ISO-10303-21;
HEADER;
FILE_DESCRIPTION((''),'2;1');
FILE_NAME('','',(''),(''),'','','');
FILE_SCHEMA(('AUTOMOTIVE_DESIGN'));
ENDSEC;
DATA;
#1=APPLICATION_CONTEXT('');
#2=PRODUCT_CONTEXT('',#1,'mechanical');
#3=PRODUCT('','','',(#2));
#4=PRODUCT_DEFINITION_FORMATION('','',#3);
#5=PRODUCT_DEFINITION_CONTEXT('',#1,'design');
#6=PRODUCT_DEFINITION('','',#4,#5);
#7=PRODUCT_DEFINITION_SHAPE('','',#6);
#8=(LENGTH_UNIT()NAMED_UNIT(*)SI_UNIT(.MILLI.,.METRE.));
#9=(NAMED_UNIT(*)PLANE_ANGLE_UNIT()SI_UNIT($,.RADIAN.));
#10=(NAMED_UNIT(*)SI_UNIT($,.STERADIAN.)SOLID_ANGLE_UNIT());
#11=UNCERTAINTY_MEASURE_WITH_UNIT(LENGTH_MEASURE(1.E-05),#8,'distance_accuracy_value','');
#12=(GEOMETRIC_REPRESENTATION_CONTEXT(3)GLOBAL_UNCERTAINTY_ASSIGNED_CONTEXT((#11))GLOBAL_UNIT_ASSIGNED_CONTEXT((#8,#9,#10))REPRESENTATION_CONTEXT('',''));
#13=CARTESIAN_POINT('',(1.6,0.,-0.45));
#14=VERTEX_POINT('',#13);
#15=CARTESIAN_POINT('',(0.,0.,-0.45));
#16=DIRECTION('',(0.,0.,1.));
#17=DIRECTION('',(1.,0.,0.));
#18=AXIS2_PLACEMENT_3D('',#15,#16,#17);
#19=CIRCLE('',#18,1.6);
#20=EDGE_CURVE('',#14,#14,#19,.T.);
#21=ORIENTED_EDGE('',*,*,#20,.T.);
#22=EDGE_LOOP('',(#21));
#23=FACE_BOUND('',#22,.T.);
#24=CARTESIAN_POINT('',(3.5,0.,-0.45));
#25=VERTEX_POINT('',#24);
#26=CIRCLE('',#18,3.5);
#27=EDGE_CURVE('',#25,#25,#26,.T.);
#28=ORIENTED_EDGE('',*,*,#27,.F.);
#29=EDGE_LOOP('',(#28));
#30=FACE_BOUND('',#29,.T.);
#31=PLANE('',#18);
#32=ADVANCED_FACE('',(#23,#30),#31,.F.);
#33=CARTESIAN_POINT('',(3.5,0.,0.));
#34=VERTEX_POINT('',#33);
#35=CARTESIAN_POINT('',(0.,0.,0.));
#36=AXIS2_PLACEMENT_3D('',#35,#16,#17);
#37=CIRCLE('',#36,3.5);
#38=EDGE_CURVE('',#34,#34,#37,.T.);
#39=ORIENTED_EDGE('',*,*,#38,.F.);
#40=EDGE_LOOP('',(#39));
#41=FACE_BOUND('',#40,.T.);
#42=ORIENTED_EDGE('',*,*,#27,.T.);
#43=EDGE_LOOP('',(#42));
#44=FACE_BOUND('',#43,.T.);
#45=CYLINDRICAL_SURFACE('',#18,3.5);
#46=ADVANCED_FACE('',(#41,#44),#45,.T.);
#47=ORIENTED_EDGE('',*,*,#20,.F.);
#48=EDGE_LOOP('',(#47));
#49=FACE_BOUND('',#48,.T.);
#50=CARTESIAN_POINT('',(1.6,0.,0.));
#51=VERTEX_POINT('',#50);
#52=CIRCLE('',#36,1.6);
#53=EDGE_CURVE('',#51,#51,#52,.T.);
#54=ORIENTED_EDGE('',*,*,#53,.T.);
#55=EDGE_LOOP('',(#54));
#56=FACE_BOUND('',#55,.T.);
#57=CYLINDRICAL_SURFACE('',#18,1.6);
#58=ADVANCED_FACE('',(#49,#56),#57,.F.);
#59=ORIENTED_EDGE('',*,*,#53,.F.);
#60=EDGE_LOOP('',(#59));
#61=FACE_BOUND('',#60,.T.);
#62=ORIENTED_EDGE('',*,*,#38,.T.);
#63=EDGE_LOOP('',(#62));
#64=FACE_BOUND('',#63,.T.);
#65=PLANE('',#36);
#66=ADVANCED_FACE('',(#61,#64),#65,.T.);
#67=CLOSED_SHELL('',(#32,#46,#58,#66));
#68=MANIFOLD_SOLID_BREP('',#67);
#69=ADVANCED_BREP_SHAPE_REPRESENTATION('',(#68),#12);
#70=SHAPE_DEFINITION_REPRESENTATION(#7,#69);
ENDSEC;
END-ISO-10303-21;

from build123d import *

# Parameters (mm, degrees)
SKETCH1_R      = 3.5
SKETCH1_R_2    = 1.6
EXTRUDE1_DEPTH = 0.45


with BuildPart() as part:
    # Sketch1 → Extrude1 (new body)
    with BuildSketch(Plane.XY):
        Circle(SKETCH1_R)
        Circle(SKETCH1_R_2, mode=Mode.SUBTRACT)
    extrude(amount=-EXTRUDE1_DEPTH)


solid = part.part
